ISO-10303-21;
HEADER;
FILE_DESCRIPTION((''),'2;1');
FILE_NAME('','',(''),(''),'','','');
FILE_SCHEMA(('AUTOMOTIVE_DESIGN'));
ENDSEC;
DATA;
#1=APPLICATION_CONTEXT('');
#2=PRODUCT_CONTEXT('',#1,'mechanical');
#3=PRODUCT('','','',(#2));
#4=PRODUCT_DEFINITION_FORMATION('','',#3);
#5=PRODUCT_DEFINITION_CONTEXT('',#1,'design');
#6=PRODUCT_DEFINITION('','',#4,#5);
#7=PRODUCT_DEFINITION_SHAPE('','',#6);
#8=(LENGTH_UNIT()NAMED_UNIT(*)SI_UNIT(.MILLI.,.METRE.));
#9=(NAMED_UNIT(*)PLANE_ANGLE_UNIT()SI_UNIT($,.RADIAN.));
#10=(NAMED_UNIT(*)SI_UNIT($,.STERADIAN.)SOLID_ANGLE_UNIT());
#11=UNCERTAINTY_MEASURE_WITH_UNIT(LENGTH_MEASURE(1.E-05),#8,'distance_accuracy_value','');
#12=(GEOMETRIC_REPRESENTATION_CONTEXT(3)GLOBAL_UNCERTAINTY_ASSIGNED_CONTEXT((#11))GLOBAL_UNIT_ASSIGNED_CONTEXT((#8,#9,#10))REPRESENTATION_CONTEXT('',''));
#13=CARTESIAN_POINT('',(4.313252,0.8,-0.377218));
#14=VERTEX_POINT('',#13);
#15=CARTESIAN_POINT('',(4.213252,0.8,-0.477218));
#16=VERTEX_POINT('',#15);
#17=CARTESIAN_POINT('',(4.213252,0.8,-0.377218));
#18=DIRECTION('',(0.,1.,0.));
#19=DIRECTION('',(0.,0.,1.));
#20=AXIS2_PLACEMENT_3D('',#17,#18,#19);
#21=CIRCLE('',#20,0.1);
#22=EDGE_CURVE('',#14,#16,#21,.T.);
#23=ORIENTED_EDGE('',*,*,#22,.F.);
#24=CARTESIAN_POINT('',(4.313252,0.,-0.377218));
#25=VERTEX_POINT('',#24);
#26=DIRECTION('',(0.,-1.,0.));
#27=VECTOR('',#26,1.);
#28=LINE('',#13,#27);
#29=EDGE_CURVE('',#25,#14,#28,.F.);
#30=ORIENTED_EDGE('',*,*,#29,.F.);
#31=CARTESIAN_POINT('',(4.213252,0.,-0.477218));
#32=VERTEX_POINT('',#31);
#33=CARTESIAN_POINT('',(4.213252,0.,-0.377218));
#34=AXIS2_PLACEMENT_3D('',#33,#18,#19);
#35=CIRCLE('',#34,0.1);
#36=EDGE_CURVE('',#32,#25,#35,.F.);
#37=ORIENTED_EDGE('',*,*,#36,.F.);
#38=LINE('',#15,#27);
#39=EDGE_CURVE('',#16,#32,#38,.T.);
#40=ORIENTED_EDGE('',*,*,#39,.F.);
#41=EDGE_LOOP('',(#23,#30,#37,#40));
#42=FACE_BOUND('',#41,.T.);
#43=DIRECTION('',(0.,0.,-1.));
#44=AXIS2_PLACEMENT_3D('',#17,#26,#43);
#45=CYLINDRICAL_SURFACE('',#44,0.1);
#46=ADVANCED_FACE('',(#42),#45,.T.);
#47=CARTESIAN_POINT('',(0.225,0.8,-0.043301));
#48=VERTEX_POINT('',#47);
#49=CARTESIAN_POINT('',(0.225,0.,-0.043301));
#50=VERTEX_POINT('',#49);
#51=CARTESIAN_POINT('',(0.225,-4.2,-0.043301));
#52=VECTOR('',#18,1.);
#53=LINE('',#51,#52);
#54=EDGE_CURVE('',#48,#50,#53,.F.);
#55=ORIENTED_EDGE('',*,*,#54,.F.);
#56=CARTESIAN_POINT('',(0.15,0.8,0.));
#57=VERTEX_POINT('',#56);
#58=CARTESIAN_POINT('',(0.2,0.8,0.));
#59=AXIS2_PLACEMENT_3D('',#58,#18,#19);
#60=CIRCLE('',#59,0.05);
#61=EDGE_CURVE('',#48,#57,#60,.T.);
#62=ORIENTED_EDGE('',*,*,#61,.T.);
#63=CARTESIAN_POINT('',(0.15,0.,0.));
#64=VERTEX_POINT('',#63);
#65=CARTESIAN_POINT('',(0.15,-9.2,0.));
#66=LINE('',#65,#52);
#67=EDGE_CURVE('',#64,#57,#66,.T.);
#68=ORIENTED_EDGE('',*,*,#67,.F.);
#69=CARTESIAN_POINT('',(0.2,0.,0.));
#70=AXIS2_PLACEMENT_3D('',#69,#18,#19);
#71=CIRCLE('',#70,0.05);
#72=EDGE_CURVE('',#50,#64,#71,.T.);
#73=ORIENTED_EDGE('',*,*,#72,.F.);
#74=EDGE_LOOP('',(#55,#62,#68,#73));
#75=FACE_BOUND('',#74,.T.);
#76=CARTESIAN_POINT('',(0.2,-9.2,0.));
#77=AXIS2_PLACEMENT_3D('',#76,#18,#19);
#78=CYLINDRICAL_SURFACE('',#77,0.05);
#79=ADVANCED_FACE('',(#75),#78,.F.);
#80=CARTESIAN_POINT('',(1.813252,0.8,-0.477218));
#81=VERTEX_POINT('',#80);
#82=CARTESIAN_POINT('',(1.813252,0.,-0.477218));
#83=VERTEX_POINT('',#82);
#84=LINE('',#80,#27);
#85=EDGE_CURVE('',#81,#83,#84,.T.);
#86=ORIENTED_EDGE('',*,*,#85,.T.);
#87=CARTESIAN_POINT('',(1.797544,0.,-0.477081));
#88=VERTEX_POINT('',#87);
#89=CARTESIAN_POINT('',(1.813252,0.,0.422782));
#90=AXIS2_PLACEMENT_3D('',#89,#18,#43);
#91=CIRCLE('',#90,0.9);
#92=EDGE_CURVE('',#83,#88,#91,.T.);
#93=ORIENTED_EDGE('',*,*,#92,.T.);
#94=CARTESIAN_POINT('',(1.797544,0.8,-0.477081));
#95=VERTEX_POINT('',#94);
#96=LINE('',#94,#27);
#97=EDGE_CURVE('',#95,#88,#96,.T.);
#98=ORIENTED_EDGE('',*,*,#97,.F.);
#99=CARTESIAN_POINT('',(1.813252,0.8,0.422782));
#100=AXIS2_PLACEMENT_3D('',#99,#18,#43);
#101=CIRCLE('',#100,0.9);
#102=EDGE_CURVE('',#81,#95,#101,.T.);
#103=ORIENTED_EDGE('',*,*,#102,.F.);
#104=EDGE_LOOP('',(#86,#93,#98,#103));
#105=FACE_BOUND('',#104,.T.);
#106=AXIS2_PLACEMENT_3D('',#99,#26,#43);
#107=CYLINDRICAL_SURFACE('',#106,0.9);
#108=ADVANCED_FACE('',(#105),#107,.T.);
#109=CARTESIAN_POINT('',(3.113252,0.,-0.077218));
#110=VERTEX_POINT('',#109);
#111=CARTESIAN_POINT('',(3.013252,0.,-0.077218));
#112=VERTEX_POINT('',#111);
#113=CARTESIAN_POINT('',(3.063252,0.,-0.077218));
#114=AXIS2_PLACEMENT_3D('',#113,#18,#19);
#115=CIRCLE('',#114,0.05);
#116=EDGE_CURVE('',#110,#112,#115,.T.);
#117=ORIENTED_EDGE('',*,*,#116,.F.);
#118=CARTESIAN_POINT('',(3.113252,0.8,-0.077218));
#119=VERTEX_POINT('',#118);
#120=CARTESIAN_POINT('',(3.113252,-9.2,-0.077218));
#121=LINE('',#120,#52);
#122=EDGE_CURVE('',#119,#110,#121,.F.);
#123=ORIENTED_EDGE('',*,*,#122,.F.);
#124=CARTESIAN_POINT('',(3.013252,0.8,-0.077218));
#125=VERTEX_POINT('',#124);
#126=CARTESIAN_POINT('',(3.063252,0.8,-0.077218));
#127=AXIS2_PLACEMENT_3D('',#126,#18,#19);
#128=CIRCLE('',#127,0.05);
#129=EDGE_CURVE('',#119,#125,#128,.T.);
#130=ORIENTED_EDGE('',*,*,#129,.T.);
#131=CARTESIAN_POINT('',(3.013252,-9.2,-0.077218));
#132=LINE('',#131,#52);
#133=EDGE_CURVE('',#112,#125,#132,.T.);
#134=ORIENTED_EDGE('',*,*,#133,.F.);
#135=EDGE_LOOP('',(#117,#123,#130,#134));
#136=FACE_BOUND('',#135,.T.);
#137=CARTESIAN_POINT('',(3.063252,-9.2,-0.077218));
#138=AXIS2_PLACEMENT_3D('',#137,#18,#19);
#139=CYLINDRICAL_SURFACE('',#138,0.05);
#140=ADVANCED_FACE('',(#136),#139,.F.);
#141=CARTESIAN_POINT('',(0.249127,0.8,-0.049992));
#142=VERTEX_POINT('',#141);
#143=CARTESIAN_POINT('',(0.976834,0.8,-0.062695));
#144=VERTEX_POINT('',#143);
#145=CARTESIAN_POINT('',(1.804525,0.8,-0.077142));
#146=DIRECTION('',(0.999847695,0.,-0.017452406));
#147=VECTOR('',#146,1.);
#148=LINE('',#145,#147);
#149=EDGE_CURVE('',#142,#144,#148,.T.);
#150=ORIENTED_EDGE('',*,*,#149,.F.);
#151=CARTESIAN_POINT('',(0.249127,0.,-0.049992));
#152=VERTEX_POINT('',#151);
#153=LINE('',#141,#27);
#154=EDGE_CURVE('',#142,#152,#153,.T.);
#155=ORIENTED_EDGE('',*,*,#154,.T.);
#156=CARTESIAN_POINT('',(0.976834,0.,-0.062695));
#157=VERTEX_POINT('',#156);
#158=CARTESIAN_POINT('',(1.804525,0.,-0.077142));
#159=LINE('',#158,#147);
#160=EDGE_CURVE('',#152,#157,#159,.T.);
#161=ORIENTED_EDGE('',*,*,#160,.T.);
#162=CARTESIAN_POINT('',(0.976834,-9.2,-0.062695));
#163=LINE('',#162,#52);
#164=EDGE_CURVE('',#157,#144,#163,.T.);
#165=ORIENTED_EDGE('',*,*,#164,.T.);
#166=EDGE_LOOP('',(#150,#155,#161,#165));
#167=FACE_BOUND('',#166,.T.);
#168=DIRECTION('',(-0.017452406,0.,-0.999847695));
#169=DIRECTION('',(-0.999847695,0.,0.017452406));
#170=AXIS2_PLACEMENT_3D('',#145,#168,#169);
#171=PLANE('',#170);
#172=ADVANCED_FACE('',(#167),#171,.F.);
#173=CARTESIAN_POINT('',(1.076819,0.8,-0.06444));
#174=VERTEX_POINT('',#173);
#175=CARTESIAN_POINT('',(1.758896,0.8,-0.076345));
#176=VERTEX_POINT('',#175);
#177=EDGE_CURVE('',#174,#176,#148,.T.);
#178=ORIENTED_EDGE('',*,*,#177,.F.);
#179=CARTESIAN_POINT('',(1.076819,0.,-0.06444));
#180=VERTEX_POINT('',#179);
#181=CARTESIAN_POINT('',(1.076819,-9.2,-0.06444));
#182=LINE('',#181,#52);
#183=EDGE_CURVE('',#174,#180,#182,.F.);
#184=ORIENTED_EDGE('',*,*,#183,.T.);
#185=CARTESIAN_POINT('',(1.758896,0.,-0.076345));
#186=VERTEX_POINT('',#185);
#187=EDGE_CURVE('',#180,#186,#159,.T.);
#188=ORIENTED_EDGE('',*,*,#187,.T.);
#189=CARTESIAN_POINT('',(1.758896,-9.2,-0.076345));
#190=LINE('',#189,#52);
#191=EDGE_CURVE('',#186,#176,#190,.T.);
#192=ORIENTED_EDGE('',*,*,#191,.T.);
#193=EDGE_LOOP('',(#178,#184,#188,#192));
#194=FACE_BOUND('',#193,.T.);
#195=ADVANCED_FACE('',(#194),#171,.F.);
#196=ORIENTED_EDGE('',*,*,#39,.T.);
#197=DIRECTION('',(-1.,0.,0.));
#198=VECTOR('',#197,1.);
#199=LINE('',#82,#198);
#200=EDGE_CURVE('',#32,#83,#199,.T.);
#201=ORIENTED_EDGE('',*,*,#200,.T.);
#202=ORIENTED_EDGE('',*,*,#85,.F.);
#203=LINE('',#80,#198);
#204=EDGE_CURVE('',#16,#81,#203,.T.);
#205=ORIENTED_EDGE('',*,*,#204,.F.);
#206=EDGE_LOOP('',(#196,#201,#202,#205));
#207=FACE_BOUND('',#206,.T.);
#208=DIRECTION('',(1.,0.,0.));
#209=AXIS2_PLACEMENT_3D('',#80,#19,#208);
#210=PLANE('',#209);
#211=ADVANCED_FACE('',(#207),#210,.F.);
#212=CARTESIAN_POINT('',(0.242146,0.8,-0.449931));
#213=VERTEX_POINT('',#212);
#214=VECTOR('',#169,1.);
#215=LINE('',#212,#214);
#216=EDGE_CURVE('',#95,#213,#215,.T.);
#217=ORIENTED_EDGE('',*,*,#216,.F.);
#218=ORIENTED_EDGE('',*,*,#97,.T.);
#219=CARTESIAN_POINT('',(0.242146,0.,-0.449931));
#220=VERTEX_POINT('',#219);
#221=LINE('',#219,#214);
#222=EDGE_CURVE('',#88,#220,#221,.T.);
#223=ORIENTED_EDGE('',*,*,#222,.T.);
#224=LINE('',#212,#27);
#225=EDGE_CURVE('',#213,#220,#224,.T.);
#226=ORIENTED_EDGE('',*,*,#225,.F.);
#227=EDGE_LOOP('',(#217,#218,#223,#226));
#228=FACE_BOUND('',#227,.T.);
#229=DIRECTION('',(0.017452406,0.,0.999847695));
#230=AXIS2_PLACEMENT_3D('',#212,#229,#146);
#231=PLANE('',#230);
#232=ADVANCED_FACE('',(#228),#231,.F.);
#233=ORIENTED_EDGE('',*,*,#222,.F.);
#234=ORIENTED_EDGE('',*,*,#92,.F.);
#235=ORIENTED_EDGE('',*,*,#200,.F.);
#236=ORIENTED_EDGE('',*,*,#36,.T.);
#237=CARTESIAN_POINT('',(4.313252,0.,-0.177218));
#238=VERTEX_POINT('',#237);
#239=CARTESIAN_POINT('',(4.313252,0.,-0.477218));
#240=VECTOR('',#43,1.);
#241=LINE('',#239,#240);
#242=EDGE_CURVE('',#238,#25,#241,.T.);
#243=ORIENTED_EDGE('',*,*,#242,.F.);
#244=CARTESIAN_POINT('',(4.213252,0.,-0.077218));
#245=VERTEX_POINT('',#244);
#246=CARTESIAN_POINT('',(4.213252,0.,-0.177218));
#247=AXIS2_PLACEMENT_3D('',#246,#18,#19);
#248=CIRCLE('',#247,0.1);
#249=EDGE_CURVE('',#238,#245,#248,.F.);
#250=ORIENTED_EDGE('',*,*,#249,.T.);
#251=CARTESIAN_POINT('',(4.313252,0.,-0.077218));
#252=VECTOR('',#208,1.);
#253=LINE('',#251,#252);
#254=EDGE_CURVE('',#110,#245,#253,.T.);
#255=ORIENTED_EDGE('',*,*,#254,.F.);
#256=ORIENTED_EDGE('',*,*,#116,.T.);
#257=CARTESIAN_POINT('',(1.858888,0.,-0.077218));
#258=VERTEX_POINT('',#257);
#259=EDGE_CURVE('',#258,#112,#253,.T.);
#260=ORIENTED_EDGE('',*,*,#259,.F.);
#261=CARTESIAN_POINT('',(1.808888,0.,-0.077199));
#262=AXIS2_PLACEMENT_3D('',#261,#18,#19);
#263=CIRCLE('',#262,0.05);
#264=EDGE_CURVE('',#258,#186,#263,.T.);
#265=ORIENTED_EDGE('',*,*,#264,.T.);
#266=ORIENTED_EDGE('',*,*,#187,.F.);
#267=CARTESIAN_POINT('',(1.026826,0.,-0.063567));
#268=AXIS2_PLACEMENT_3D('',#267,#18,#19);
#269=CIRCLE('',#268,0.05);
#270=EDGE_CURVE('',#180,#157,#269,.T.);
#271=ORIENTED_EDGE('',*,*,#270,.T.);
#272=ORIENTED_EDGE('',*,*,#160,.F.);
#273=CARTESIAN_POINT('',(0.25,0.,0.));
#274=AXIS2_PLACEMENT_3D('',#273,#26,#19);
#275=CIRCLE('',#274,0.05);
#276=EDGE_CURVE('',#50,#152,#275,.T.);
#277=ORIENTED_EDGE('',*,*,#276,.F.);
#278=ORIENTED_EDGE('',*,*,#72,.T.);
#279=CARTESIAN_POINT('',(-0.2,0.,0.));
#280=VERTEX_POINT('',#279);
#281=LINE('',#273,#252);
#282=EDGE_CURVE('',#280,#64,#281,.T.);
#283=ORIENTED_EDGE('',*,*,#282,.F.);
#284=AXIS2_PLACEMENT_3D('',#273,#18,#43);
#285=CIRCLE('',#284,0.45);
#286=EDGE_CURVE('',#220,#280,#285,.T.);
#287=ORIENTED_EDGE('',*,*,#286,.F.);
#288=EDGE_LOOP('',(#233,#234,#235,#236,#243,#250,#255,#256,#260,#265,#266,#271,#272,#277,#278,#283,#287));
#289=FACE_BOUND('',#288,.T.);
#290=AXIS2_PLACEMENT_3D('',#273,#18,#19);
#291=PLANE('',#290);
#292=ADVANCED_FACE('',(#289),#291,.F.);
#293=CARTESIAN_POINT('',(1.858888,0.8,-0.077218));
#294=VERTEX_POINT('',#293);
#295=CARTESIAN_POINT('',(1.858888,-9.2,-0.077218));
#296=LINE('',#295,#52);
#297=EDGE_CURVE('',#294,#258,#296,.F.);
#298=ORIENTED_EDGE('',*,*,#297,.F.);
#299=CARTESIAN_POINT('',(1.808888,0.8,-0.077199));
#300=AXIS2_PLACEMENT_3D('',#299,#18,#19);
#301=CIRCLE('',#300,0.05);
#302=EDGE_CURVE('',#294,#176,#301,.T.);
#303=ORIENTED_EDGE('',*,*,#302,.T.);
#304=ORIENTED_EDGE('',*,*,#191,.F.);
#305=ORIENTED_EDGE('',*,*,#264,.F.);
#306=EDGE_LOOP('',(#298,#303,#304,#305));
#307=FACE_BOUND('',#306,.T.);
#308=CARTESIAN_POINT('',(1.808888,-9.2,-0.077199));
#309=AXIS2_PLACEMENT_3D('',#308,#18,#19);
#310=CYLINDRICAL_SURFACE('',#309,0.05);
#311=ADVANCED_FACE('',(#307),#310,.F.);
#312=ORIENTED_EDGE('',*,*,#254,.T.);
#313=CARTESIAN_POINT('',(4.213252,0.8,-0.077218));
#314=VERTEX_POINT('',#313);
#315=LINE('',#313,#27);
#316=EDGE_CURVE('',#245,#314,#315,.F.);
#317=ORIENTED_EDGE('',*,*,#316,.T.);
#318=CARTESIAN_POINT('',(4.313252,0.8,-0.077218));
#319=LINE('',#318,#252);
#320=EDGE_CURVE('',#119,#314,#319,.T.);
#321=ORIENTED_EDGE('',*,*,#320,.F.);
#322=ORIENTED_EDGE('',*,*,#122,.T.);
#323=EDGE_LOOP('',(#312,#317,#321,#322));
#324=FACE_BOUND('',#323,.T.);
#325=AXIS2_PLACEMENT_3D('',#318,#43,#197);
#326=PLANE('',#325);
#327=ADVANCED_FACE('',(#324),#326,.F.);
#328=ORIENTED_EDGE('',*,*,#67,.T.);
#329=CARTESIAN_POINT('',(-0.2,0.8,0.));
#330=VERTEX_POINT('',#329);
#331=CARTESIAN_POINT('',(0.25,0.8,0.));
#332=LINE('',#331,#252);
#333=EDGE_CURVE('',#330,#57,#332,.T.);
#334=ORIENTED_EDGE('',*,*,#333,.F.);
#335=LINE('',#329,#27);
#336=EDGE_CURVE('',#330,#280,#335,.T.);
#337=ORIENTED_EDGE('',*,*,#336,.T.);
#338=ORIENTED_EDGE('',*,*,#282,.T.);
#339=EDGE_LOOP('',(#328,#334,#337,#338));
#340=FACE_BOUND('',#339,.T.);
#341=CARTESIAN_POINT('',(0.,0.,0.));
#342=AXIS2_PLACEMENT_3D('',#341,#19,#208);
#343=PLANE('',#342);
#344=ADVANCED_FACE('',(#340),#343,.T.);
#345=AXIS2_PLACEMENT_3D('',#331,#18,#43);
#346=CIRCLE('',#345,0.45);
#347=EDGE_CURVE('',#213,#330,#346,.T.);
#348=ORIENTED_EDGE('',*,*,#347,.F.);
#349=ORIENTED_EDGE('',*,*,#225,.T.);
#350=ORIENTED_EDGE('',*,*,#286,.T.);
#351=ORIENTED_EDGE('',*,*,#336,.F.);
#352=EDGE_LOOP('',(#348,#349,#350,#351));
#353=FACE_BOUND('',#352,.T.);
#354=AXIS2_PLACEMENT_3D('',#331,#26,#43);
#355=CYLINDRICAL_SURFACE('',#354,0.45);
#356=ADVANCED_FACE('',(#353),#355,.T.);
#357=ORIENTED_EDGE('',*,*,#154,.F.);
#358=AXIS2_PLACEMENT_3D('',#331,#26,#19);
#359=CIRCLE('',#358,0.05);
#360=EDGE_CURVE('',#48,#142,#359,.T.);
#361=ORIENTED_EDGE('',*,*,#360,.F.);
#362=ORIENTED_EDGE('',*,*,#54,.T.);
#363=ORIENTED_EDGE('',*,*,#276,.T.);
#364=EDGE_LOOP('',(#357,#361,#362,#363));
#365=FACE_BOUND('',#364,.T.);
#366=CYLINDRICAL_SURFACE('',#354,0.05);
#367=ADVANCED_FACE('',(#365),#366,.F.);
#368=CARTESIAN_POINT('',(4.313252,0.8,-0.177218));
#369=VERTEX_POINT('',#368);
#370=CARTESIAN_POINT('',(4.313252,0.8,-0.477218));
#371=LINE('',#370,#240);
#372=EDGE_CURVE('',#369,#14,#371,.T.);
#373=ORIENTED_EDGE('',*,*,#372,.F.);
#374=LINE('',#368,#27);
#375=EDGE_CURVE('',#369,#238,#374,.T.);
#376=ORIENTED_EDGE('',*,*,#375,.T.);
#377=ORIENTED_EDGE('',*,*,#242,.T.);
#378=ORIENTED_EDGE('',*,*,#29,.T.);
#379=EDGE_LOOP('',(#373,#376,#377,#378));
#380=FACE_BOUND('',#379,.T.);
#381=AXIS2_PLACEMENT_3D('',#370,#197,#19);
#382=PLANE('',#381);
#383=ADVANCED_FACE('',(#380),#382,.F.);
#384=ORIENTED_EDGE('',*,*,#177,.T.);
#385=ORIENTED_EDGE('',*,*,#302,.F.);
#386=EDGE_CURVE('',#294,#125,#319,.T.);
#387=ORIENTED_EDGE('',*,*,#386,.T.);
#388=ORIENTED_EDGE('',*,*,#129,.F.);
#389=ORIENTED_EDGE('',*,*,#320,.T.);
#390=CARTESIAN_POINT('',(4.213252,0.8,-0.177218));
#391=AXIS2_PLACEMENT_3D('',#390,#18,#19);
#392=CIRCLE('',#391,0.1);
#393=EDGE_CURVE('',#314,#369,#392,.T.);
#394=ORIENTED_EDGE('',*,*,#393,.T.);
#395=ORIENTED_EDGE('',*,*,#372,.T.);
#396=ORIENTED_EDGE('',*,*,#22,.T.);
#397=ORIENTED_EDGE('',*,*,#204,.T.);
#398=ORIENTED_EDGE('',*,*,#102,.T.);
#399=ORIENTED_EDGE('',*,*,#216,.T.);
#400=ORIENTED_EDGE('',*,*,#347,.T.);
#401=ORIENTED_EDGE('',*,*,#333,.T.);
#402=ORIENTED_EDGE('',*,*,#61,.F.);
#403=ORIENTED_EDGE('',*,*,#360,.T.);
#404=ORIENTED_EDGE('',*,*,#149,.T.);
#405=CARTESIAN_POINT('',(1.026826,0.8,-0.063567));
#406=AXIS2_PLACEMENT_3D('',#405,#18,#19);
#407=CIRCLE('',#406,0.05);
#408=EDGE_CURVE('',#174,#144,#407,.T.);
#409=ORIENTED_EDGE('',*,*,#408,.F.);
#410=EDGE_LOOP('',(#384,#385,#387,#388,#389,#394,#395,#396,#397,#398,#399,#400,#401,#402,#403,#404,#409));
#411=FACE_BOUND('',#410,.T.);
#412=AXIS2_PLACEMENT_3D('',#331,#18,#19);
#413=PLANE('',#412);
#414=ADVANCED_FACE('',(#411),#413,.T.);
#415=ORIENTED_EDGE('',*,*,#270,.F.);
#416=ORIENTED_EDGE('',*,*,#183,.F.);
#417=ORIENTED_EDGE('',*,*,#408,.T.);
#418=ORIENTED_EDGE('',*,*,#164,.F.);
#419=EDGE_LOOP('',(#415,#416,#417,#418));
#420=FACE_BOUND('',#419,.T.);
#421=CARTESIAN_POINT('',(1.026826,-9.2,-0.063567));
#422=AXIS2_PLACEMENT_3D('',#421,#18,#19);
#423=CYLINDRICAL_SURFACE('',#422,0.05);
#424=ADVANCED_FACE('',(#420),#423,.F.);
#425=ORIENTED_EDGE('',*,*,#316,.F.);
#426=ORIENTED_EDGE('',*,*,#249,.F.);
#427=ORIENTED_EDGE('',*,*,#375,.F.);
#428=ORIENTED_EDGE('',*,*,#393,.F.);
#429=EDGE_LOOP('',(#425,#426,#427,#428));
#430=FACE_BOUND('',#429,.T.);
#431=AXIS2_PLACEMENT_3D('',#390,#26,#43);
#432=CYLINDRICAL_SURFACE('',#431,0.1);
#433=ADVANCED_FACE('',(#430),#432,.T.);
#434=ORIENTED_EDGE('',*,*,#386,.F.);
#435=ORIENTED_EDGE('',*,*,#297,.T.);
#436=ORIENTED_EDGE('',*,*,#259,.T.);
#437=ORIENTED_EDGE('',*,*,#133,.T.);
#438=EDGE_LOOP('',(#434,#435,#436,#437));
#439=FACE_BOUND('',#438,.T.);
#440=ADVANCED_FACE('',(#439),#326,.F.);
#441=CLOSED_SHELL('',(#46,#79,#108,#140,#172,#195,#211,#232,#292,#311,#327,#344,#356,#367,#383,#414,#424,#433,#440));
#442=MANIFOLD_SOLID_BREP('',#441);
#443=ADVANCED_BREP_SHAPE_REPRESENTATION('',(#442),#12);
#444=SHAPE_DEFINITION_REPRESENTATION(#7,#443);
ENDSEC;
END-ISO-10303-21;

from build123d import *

# Parameters (mm, degrees)
BOSS_EXTRUDE1_DEPTH = 0.8
SKETCH2_R           = 0.05
CUT_EXTRUDE1_DEPTH  = 10
FILLET2_R           = 0.1


with BuildPart() as part:
    # Sketch1 → Boss-Extrude1 (new body)
    with BuildSketch(Plane(origin=(0, 0, 0), x_dir=(1, 0, 0), z_dir=(0, 1, 0))):
        with BuildLine():
            Line((-0.2, 0), (0.2, 0))
            ThreePointArc((0.2, 0), (0.214337478, 0.035045463), (0.24912738, 0.049992385))
            Line((0.24912738, 0.049992385), (1.804525368, 0.077141958))
            ThreePointArc((1.804525368, 0.077141958), (1.808888303, 0.077199072), (1.813251571, 0.07721811))
            Line((1.813251571, 0.07721811), (4.313251571, 0.07721811))
            Line((4.313251571, 0.07721811), (4.313251571, 0.47721811))
            Line((4.313251571, 0.47721811), (1.813251571, 0.47721811))
            ThreePointArc((1.813251571, 0.47721811), (1.805397689, 0.477183841), (1.797544405, 0.477081036))
            Line((1.797544405, 0.477081036), (0.242146417, 0.449931463))
            ThreePointArc((0.242146417, 0.449931463), (-0.070962702, 0.315409169), (-0.2, 0))
        make_face()
    boss_extrude1 = extrude(amount=BOSS_EXTRUDE1_DEPTH)

    # Mirror1: Boss-Extrude1 across Front Plane
    add(boss_extrude1.mirror(Plane.XY))

    # Sketch2 → Cut-Extrude1 (cut)
    with BuildSketch(Plane(origin=(0, 0.8, 0), x_dir=(1, 0, 0), z_dir=(0, 1, 0))):
        with Locations((0.2, 0)):
            Circle(SKETCH2_R)
        with Locations((1.808888303, 0.077199072)):
            Circle(SKETCH2_R)
        with Locations((3.063251571, 0.07721811)):
            Circle(SKETCH2_R)
        with Locations((1.026826374, 0.063567171)):
            Circle(SKETCH2_R)
    cut_extrude1 = extrude(amount=-CUT_EXTRUDE1_DEPTH, mode=Mode.SUBTRACT)

    # Mirror2: Cut-Extrude1 across plane
    add(cut_extrude1.mirror(Plane.XY), mode=Mode.SUBTRACT)

    # Fillet2
    fillet2_edges = [part.edges().sort_by_distance(p)[0] for p in [
        (4.313251571, 0.4, -0.47721811),
        (4.313251571, 0.4, -0.07721811),
        (4.313251571, 0.4, 0.47721811),
        (4.313251571, 0.4, 0.07721811),
    ]]
    fillet(fillet2_edges, radius=FILLET2_R)

    # SurfaceCut1
    split(bisect_by=Plane.XY, keep=Keep.BOTTOM)


solid = part.part
